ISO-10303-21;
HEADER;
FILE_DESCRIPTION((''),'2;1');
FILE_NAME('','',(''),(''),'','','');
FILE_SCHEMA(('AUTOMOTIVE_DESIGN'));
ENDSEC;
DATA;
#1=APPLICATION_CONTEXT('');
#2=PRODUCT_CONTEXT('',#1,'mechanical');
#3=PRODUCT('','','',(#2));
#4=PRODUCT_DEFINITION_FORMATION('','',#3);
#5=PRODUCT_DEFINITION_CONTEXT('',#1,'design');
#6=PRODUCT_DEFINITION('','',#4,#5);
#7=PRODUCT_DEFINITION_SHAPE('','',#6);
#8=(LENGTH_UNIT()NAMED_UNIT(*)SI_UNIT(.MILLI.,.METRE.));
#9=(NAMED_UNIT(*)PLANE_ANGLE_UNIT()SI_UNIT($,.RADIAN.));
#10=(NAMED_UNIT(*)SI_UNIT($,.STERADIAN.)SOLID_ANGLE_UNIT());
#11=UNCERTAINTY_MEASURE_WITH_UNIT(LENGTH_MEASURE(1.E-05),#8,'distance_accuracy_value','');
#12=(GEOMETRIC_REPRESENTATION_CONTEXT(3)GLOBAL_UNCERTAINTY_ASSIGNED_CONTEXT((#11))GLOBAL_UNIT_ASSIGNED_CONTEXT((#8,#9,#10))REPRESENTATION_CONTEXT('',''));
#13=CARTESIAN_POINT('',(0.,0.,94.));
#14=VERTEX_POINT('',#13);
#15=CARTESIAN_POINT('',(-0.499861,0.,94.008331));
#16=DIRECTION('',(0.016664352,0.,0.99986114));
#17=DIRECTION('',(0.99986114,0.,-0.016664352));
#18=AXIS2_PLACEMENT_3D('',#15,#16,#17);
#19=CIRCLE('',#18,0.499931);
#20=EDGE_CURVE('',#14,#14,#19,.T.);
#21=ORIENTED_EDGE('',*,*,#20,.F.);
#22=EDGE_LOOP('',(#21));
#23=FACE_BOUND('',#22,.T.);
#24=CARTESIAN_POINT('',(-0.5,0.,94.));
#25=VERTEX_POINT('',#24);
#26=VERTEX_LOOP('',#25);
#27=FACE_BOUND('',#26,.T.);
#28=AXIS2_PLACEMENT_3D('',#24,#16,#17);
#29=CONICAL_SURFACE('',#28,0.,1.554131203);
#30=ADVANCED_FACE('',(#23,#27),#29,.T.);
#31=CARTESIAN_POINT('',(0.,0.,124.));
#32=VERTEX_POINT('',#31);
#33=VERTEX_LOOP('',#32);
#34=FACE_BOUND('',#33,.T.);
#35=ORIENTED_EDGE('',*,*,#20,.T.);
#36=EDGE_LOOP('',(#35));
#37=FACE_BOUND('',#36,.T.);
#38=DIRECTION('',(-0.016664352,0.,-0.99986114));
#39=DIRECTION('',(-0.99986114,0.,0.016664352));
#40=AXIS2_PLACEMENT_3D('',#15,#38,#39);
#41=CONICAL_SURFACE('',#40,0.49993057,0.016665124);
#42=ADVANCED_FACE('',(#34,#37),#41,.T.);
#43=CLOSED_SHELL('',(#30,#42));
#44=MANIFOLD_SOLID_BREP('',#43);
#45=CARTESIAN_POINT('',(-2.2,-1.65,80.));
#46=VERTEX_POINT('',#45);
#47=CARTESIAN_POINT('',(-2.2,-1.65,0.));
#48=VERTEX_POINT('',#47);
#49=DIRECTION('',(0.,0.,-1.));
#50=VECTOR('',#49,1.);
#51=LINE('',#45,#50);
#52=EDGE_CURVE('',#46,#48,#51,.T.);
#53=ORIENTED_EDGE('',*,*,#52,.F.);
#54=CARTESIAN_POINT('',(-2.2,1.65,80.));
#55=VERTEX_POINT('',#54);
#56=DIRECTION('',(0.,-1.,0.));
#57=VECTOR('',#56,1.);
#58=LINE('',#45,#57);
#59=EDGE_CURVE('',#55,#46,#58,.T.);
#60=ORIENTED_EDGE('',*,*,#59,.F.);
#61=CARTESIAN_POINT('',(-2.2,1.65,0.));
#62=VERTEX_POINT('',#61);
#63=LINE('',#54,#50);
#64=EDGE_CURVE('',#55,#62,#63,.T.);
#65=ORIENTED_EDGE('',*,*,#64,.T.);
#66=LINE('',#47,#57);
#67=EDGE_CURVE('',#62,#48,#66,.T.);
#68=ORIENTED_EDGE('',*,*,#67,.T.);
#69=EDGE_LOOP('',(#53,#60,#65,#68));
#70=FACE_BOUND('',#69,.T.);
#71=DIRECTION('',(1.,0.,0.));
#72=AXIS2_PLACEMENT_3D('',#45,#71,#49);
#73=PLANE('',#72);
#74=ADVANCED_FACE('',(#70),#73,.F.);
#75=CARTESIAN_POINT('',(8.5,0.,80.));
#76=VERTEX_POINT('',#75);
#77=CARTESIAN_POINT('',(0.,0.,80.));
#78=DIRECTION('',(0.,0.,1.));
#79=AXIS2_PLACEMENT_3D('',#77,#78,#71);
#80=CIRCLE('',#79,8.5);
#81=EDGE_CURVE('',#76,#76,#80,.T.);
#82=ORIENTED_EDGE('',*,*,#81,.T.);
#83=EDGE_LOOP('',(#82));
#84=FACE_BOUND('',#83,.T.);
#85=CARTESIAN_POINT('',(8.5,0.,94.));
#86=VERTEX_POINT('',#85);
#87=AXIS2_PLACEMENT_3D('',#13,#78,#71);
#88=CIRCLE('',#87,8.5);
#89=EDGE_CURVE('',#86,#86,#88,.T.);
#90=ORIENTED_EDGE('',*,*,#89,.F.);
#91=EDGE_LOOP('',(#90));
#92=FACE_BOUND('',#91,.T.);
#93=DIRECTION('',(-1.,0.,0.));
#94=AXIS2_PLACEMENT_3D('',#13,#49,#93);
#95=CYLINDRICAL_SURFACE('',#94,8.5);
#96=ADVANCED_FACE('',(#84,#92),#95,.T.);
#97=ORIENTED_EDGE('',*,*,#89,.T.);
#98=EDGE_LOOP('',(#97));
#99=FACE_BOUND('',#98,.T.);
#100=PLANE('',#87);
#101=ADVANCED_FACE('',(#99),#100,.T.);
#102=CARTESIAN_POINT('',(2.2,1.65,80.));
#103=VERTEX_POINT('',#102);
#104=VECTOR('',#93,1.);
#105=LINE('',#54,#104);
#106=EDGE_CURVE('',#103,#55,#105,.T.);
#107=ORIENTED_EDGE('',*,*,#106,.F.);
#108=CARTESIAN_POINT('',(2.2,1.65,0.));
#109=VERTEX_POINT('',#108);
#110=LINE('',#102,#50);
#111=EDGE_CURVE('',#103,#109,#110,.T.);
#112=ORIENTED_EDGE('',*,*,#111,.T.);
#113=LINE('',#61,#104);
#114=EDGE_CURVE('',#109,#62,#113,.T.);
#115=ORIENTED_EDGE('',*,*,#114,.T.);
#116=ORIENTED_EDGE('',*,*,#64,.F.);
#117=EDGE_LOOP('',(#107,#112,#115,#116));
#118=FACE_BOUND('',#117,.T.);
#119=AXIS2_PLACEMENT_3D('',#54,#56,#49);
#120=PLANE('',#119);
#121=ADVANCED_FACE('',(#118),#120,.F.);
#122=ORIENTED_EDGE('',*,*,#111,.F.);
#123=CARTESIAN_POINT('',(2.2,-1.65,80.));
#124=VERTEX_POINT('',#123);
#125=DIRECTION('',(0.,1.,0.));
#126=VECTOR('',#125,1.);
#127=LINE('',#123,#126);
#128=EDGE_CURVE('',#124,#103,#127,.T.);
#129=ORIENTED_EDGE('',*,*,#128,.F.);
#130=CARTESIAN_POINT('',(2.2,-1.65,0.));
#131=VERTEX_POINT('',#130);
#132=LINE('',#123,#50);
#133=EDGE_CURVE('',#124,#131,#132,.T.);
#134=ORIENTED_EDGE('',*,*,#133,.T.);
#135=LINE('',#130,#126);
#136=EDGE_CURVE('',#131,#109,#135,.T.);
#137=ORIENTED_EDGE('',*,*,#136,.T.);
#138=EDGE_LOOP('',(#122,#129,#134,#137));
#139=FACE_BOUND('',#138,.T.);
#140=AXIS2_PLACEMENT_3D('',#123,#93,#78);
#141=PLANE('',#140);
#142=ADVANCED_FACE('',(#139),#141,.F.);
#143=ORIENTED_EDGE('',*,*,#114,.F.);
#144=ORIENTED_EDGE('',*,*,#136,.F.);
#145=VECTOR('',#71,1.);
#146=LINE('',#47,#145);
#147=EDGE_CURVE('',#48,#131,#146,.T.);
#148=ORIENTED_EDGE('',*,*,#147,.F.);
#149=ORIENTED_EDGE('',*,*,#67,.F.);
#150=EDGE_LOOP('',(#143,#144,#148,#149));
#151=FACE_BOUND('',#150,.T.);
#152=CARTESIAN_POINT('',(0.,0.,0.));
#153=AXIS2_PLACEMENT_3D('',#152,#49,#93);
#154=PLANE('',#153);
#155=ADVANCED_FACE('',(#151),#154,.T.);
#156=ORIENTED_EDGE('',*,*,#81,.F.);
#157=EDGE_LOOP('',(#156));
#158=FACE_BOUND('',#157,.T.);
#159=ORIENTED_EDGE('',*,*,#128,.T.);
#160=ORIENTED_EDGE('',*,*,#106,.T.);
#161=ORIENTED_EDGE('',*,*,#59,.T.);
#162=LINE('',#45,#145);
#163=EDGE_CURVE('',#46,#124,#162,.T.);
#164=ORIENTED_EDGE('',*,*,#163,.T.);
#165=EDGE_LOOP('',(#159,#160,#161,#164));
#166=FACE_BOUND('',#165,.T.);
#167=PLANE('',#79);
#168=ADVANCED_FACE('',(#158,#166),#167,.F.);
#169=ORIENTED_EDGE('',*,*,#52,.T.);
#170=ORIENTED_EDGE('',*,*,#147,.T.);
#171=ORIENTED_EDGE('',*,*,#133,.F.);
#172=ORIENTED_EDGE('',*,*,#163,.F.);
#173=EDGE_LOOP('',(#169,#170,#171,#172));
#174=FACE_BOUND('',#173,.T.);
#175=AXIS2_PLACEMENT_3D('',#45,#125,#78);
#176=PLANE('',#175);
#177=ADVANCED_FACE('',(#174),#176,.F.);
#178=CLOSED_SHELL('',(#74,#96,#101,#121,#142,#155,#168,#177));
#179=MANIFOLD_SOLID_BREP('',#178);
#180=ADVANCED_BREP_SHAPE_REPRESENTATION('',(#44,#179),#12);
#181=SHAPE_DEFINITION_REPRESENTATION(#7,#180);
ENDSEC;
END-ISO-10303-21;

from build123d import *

# Parameters (mm, degrees)
SKETCH1_W           = 4.4
SKETCH1_H           = 3.3
BOSS_EXTRUDE1_DEPTH = 80
SKETCH2_R           = 8.5
BOSS_EXTRUDE2_DEPTH = 14


with BuildPart() as part:
    # Sketch1 → Boss-Extrude1 (new body)
    with BuildSketch(Plane.XY):
        Rectangle(SKETCH1_W, SKETCH1_H)
    extrude(amount=BOSS_EXTRUDE1_DEPTH)

    # Sketch2 → Boss-Extrude2 (add)
    with BuildSketch(Plane.XY.offset(80)):
        Circle(SKETCH2_R)
    extrude(amount=BOSS_EXTRUDE2_DEPTH)


with BuildPart() as body_2:
    # Sketch3 → Revolve1 (revolve)
    with BuildSketch(Plane(origin=(0, 0, 0), x_dir=(1, 0, 0), z_dir=(0, 1, 0))):
        Polygon((0, -94), (0, -124), (-0.5, -94), align=None)
    revolve(axis=Axis((0, 0, 124), (-0.016664352333993458, 0, -0.9998611400396)))


solid = Compound([part.part, body_2.part])
